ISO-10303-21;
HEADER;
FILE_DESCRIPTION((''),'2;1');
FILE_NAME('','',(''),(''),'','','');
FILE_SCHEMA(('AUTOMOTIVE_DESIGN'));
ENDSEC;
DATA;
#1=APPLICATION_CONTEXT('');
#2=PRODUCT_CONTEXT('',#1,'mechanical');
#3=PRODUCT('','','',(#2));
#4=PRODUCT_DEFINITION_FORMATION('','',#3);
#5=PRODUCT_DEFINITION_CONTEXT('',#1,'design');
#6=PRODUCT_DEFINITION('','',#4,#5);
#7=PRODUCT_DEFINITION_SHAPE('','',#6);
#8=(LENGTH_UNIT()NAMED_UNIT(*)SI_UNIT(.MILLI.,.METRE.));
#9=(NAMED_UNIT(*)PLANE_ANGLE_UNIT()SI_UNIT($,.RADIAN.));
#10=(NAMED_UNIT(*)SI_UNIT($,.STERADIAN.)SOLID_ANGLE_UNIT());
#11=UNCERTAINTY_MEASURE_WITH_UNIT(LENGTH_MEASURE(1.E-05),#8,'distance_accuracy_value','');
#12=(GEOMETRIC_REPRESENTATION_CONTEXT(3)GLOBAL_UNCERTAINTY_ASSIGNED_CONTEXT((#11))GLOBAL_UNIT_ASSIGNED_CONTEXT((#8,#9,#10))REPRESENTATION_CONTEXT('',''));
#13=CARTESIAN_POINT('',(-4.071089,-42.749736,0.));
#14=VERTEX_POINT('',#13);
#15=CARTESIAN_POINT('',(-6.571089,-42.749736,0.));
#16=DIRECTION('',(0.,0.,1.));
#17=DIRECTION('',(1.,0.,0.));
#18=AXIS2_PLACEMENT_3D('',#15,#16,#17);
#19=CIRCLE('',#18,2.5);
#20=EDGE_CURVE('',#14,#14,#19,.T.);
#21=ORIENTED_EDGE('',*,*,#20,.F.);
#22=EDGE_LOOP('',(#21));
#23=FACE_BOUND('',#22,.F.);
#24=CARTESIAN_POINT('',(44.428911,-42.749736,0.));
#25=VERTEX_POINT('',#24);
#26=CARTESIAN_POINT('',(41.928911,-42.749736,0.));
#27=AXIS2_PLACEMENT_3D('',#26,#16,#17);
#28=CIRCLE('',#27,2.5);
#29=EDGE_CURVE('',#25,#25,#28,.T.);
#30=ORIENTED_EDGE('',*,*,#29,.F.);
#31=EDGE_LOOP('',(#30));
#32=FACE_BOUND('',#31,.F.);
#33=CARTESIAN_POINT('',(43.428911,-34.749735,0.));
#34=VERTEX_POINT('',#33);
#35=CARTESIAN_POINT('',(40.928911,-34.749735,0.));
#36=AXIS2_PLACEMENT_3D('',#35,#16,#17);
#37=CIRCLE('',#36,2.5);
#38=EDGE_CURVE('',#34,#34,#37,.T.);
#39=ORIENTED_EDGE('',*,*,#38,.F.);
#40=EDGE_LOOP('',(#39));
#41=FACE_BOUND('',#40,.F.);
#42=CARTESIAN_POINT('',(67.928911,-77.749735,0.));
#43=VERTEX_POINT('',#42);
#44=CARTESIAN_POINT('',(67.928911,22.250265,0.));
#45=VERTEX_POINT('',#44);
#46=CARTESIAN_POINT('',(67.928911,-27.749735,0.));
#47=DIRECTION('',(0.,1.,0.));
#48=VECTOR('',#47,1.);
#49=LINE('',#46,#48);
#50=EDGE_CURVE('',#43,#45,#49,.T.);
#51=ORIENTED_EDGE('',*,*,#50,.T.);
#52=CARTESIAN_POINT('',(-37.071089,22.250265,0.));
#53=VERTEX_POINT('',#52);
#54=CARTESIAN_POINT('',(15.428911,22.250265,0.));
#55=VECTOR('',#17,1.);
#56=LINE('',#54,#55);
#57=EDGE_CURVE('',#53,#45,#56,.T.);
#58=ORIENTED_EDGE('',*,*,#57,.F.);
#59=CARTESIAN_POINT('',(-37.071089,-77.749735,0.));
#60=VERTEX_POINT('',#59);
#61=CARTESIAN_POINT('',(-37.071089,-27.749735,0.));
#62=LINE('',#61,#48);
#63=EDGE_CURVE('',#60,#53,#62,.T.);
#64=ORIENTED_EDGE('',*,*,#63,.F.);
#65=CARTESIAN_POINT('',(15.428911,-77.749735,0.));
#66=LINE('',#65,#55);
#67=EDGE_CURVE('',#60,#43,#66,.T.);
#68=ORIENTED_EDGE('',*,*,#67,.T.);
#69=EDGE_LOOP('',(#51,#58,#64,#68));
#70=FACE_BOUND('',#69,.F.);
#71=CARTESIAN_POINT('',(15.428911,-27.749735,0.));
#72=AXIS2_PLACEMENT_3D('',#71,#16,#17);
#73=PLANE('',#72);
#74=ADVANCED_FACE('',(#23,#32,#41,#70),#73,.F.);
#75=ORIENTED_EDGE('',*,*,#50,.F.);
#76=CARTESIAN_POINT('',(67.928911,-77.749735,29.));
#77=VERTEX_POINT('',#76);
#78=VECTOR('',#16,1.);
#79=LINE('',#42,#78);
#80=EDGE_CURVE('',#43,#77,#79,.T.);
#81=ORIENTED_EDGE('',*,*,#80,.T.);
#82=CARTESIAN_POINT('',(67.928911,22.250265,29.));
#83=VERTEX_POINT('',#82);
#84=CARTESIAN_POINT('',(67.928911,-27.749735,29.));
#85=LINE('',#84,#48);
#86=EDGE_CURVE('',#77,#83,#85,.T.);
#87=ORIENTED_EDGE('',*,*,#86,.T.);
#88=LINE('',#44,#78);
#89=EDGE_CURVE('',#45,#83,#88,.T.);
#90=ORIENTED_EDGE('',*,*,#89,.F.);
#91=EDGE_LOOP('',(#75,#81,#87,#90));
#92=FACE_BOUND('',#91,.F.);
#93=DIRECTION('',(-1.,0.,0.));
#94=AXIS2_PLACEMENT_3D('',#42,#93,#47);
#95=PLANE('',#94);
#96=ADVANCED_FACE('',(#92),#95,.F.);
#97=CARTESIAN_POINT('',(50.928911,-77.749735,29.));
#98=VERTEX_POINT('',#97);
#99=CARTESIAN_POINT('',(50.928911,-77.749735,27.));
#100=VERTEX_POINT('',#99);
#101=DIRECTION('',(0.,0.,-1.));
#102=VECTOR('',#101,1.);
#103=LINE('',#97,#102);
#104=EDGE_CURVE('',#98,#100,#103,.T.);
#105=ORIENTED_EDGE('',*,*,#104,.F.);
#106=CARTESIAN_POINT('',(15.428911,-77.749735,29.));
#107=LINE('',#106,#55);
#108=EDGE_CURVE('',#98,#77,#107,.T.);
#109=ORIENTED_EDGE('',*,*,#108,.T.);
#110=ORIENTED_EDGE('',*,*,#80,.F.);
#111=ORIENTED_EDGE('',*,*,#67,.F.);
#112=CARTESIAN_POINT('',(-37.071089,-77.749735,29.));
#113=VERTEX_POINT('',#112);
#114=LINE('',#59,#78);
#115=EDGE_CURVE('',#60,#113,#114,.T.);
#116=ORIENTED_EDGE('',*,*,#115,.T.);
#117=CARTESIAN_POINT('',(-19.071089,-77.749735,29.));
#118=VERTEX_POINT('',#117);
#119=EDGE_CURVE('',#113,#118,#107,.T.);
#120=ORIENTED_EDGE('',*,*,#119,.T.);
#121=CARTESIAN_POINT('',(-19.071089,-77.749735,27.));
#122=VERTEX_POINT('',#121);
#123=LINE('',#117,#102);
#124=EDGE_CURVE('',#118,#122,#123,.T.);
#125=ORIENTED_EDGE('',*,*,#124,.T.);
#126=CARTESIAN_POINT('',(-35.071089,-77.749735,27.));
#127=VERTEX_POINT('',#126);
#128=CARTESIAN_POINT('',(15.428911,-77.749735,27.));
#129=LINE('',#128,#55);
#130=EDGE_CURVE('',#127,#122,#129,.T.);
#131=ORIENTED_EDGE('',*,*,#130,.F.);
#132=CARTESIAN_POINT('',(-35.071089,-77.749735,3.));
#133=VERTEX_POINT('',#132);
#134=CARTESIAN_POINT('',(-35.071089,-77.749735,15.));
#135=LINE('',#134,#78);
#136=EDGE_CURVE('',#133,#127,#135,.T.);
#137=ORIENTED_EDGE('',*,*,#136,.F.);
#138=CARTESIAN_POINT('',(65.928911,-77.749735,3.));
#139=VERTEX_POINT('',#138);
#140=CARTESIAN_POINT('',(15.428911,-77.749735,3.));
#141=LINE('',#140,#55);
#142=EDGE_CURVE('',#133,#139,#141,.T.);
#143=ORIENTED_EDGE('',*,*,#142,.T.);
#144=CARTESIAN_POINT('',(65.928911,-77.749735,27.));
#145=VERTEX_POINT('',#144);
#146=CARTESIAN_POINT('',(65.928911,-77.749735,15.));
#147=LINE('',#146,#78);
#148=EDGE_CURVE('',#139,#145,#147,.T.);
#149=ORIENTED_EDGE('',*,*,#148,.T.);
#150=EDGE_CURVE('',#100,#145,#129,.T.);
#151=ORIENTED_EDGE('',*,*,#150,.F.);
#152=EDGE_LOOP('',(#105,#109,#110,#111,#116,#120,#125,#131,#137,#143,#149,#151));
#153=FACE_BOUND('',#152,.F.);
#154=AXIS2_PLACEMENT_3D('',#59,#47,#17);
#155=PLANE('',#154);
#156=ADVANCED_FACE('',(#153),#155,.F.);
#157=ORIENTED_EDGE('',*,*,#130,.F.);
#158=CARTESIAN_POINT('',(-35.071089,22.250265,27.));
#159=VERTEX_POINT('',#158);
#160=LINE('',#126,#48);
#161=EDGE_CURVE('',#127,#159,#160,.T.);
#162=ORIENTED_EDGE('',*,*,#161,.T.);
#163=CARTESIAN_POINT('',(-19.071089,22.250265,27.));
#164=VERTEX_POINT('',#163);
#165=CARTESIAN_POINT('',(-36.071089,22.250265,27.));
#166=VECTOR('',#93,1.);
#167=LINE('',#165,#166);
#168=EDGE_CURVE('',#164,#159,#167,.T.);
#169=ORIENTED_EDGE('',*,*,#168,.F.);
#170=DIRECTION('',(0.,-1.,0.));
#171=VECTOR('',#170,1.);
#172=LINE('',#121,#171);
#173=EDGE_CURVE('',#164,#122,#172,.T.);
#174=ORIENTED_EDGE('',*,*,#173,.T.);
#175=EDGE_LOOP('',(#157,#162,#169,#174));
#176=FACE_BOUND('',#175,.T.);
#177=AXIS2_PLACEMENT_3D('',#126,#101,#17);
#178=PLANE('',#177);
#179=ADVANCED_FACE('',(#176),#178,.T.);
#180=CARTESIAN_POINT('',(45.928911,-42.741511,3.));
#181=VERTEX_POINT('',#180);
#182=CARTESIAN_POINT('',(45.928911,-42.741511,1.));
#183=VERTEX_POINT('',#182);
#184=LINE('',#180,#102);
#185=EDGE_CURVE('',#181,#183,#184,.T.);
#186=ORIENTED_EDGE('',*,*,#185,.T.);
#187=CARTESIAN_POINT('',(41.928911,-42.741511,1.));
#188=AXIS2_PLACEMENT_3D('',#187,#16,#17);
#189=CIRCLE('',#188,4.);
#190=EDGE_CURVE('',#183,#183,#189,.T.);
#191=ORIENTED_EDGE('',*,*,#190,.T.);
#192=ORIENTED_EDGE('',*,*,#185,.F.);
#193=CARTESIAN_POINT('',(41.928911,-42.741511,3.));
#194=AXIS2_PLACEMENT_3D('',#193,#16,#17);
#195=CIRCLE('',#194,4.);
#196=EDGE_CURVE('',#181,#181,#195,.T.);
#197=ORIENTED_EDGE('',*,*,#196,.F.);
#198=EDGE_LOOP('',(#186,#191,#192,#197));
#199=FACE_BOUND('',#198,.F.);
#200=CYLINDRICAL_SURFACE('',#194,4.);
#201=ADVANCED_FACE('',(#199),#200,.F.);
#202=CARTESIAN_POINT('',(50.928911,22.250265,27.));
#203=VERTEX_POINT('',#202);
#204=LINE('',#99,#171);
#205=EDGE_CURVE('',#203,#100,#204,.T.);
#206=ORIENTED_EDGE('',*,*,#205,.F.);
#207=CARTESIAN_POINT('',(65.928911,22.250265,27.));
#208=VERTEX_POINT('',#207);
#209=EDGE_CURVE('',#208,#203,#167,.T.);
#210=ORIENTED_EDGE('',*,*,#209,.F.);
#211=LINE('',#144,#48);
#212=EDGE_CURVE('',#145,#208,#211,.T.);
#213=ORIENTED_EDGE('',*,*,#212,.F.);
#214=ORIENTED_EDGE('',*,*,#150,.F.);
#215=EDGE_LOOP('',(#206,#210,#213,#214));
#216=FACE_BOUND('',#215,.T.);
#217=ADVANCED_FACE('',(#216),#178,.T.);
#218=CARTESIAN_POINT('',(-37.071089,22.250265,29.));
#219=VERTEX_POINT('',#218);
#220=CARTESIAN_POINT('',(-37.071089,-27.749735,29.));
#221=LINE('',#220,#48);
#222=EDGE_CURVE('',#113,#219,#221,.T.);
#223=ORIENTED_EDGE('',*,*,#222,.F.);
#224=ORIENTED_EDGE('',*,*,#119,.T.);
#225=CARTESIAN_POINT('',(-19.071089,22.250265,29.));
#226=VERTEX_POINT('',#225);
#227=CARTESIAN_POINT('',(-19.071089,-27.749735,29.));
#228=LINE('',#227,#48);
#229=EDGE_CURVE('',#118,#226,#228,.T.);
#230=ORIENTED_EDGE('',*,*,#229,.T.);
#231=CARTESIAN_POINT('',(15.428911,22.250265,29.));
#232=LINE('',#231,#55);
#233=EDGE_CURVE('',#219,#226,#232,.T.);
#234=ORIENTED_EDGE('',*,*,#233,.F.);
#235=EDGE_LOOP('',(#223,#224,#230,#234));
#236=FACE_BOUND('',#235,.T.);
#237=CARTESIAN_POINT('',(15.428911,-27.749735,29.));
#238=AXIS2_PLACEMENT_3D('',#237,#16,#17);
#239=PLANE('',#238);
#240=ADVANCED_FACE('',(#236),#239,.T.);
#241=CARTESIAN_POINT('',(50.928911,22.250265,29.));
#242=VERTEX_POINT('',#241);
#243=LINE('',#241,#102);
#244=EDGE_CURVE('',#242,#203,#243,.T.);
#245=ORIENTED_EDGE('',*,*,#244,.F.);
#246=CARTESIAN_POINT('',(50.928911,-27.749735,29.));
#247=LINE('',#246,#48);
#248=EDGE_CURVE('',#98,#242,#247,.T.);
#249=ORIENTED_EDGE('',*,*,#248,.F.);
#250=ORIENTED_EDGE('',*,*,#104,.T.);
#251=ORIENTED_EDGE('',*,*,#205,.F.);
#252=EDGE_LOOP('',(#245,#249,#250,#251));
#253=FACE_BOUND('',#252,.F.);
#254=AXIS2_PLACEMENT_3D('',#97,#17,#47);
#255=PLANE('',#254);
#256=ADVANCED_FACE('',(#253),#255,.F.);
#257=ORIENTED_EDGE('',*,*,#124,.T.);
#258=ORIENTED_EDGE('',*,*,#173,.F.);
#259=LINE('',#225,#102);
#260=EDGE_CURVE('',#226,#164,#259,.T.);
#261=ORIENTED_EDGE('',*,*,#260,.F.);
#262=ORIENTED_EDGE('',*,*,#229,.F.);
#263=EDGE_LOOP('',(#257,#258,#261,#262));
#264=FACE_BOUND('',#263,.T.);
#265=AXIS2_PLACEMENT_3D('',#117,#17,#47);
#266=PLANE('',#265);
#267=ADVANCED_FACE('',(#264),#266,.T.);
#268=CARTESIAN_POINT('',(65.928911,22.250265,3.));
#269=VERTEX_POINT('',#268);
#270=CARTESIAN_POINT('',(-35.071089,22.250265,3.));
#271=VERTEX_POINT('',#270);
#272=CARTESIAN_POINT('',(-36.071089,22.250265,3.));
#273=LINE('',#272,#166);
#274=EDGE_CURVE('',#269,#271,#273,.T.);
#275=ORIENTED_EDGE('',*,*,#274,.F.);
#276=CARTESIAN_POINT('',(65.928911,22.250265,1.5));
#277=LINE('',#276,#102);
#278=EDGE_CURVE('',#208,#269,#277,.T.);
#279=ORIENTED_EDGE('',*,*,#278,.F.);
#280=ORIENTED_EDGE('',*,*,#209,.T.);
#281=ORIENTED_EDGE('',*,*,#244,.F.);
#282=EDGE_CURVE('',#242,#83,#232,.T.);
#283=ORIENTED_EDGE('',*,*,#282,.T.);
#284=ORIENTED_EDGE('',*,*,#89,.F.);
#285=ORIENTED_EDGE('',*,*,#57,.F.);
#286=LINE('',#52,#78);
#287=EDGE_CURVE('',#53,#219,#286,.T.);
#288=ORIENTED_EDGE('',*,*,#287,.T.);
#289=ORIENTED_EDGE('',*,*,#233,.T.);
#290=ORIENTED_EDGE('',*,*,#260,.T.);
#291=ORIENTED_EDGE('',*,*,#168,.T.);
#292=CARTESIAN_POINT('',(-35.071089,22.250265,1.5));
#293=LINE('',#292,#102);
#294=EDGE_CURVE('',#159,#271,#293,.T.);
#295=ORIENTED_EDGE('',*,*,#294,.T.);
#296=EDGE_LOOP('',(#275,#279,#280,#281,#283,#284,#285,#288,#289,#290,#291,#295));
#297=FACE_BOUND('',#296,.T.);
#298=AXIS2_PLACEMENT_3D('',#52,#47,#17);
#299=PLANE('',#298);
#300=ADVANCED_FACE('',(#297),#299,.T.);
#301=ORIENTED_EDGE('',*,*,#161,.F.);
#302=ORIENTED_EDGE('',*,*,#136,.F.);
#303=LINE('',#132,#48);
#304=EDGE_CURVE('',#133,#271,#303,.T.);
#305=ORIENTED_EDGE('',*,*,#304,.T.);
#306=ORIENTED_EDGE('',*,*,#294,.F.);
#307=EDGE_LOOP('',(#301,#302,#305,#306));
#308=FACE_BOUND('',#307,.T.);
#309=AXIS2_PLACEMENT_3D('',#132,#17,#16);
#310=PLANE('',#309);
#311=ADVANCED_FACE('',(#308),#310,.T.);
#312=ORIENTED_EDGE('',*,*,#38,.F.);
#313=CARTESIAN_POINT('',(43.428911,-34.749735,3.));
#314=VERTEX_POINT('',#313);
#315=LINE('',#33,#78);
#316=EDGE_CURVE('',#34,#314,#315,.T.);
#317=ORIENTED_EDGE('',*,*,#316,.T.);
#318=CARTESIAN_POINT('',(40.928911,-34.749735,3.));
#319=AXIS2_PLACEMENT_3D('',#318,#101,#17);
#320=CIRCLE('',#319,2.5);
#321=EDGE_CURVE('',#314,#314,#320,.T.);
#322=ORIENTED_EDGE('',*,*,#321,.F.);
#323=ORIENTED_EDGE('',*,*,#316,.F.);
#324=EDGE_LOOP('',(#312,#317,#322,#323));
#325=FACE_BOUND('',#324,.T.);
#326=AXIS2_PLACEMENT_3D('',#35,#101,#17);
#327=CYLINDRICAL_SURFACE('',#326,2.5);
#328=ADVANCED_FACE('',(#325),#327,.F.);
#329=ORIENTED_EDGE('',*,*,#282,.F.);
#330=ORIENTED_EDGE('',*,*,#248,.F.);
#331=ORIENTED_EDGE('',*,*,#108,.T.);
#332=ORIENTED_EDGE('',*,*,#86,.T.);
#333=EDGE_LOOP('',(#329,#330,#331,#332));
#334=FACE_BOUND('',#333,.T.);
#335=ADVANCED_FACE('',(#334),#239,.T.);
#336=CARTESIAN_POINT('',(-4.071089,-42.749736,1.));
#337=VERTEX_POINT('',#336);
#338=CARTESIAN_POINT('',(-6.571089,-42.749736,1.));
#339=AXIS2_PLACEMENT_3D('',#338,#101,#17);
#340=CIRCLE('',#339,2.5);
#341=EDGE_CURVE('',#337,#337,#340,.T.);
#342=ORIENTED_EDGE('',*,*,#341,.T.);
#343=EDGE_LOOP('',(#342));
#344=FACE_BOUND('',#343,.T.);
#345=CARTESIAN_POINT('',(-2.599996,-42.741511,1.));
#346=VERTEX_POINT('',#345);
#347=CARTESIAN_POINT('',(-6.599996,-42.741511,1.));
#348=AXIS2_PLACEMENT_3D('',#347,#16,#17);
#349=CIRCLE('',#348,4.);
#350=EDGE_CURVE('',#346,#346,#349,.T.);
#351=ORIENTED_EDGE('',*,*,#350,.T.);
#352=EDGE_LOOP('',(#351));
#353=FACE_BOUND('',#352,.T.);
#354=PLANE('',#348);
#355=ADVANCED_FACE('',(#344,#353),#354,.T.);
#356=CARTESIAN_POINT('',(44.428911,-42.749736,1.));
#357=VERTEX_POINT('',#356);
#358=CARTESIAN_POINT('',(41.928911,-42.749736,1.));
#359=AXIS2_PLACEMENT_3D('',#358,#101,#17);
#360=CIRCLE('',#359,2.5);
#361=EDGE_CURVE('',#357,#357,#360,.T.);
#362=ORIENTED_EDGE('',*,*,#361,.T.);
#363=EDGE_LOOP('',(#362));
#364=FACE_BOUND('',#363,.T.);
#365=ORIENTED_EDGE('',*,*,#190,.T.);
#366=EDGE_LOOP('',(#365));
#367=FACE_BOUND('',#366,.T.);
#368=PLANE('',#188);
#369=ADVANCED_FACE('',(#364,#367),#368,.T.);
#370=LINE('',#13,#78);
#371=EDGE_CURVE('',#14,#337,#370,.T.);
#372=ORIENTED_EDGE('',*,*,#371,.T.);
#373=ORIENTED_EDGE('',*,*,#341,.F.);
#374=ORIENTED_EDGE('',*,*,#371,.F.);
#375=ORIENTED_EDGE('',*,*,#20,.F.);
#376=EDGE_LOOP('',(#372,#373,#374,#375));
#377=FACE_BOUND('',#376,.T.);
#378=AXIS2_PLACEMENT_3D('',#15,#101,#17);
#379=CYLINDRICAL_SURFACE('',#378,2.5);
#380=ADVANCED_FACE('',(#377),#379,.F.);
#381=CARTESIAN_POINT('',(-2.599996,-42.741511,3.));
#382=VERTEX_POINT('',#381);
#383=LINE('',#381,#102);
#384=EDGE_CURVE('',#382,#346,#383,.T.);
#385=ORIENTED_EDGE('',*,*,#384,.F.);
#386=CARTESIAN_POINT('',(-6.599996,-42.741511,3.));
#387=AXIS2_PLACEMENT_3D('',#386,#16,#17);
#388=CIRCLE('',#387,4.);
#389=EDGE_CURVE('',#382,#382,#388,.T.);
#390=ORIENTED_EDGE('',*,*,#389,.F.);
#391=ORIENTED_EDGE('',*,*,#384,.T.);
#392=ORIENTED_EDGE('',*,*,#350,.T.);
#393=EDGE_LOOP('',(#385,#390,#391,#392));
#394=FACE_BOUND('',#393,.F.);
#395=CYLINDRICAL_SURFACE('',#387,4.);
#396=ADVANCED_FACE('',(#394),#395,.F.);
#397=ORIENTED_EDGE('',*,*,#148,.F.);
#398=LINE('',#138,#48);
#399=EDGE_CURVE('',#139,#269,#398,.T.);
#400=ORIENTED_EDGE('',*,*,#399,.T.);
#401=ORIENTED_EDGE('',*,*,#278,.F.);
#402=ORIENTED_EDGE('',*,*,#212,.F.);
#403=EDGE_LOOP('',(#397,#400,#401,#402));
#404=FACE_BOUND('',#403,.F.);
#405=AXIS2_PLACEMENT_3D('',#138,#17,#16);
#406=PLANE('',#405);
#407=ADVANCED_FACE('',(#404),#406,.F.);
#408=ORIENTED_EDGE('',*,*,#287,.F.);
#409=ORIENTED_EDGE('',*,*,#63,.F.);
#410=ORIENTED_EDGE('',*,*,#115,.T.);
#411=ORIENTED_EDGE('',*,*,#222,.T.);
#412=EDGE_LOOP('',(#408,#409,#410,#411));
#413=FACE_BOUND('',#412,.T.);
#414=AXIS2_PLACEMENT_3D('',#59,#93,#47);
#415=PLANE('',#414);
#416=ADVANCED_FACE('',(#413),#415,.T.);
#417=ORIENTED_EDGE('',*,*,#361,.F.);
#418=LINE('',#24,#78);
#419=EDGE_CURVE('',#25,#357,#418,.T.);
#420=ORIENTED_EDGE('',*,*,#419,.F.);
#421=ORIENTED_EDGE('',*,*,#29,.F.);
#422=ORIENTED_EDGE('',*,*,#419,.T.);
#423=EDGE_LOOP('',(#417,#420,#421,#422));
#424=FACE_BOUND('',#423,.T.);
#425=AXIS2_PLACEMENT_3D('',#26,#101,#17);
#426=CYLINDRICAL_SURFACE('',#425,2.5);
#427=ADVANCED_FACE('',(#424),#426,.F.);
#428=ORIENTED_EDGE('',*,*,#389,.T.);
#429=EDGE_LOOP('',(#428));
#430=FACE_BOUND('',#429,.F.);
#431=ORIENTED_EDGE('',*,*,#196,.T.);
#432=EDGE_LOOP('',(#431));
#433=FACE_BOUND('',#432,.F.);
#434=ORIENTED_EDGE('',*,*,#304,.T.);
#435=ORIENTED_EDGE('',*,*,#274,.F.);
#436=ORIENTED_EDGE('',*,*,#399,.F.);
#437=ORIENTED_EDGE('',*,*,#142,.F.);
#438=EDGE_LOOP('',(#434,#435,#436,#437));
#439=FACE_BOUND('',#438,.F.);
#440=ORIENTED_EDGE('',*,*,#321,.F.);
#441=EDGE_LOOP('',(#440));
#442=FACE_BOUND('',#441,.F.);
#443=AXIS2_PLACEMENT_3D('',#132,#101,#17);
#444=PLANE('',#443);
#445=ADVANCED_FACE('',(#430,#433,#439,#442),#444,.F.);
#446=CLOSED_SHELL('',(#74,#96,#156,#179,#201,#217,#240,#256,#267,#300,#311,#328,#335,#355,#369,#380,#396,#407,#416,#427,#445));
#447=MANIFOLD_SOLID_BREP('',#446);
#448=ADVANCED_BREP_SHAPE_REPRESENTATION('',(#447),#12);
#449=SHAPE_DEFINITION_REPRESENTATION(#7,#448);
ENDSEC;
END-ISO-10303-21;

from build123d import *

# Parameters (mm, degrees)
F0_W     = 105
F0_H     = 100
F1_DEPTH = 29
F2_W     = 101
F2_H     = 24
F3_DEPTH = 110
F4_W     = 70
F4_H     = 100
F5_DEPTH = 5
F6_R     = 2.5
F7_DEPTH = 5
F8_R     = 4
F9_DEPTH = 2


with BuildPart() as f1:
    # F0 (on Top) → F1 (new body)
    with BuildSketch(Plane.XY):
        with Locations((15.428911, -27.749735)):
            Rectangle(F0_W, F0_H)
    extrude(amount=F1_DEPTH)

    # F2 (on face) → F3 (cut)
    with BuildSketch(Plane.XZ.offset(77.749735)):
        with Locations((15.428911, 15)):
            Rectangle(F2_W, F2_H)
    extrude(amount=-F3_DEPTH, mode=Mode.SUBTRACT)

    # F4 (on face) → F5 (cut)
    with BuildSketch(Plane.XY.offset(29)):
        with Locations((15.928911, -27.749735)):
            Rectangle(F4_W, F4_H)
    extrude(amount=-F5_DEPTH, mode=Mode.SUBTRACT)

    # F6 (on Top) → F7 (cut)
    with BuildSketch(Plane.XY):
        with Locations((40.928911, -34.749735)):
            Circle(F6_R)
        with Locations((41.928911, -42.749736)):
            Circle(F6_R)
        with Locations((-6.571089, -42.749736)):
            Circle(F6_R)
    extrude(amount=F7_DEPTH, mode=Mode.SUBTRACT)

    # F8 (on face) → F9 (cut)
    with BuildSketch(Plane.XY.offset(3)):
        with Locations((41.928911, -42.741511)):
            Circle(F8_R)
        with Locations((-6.599996, -42.741511)):
            Circle(F8_R)
    extrude(amount=-F9_DEPTH, mode=Mode.SUBTRACT)


solid = f1.part
